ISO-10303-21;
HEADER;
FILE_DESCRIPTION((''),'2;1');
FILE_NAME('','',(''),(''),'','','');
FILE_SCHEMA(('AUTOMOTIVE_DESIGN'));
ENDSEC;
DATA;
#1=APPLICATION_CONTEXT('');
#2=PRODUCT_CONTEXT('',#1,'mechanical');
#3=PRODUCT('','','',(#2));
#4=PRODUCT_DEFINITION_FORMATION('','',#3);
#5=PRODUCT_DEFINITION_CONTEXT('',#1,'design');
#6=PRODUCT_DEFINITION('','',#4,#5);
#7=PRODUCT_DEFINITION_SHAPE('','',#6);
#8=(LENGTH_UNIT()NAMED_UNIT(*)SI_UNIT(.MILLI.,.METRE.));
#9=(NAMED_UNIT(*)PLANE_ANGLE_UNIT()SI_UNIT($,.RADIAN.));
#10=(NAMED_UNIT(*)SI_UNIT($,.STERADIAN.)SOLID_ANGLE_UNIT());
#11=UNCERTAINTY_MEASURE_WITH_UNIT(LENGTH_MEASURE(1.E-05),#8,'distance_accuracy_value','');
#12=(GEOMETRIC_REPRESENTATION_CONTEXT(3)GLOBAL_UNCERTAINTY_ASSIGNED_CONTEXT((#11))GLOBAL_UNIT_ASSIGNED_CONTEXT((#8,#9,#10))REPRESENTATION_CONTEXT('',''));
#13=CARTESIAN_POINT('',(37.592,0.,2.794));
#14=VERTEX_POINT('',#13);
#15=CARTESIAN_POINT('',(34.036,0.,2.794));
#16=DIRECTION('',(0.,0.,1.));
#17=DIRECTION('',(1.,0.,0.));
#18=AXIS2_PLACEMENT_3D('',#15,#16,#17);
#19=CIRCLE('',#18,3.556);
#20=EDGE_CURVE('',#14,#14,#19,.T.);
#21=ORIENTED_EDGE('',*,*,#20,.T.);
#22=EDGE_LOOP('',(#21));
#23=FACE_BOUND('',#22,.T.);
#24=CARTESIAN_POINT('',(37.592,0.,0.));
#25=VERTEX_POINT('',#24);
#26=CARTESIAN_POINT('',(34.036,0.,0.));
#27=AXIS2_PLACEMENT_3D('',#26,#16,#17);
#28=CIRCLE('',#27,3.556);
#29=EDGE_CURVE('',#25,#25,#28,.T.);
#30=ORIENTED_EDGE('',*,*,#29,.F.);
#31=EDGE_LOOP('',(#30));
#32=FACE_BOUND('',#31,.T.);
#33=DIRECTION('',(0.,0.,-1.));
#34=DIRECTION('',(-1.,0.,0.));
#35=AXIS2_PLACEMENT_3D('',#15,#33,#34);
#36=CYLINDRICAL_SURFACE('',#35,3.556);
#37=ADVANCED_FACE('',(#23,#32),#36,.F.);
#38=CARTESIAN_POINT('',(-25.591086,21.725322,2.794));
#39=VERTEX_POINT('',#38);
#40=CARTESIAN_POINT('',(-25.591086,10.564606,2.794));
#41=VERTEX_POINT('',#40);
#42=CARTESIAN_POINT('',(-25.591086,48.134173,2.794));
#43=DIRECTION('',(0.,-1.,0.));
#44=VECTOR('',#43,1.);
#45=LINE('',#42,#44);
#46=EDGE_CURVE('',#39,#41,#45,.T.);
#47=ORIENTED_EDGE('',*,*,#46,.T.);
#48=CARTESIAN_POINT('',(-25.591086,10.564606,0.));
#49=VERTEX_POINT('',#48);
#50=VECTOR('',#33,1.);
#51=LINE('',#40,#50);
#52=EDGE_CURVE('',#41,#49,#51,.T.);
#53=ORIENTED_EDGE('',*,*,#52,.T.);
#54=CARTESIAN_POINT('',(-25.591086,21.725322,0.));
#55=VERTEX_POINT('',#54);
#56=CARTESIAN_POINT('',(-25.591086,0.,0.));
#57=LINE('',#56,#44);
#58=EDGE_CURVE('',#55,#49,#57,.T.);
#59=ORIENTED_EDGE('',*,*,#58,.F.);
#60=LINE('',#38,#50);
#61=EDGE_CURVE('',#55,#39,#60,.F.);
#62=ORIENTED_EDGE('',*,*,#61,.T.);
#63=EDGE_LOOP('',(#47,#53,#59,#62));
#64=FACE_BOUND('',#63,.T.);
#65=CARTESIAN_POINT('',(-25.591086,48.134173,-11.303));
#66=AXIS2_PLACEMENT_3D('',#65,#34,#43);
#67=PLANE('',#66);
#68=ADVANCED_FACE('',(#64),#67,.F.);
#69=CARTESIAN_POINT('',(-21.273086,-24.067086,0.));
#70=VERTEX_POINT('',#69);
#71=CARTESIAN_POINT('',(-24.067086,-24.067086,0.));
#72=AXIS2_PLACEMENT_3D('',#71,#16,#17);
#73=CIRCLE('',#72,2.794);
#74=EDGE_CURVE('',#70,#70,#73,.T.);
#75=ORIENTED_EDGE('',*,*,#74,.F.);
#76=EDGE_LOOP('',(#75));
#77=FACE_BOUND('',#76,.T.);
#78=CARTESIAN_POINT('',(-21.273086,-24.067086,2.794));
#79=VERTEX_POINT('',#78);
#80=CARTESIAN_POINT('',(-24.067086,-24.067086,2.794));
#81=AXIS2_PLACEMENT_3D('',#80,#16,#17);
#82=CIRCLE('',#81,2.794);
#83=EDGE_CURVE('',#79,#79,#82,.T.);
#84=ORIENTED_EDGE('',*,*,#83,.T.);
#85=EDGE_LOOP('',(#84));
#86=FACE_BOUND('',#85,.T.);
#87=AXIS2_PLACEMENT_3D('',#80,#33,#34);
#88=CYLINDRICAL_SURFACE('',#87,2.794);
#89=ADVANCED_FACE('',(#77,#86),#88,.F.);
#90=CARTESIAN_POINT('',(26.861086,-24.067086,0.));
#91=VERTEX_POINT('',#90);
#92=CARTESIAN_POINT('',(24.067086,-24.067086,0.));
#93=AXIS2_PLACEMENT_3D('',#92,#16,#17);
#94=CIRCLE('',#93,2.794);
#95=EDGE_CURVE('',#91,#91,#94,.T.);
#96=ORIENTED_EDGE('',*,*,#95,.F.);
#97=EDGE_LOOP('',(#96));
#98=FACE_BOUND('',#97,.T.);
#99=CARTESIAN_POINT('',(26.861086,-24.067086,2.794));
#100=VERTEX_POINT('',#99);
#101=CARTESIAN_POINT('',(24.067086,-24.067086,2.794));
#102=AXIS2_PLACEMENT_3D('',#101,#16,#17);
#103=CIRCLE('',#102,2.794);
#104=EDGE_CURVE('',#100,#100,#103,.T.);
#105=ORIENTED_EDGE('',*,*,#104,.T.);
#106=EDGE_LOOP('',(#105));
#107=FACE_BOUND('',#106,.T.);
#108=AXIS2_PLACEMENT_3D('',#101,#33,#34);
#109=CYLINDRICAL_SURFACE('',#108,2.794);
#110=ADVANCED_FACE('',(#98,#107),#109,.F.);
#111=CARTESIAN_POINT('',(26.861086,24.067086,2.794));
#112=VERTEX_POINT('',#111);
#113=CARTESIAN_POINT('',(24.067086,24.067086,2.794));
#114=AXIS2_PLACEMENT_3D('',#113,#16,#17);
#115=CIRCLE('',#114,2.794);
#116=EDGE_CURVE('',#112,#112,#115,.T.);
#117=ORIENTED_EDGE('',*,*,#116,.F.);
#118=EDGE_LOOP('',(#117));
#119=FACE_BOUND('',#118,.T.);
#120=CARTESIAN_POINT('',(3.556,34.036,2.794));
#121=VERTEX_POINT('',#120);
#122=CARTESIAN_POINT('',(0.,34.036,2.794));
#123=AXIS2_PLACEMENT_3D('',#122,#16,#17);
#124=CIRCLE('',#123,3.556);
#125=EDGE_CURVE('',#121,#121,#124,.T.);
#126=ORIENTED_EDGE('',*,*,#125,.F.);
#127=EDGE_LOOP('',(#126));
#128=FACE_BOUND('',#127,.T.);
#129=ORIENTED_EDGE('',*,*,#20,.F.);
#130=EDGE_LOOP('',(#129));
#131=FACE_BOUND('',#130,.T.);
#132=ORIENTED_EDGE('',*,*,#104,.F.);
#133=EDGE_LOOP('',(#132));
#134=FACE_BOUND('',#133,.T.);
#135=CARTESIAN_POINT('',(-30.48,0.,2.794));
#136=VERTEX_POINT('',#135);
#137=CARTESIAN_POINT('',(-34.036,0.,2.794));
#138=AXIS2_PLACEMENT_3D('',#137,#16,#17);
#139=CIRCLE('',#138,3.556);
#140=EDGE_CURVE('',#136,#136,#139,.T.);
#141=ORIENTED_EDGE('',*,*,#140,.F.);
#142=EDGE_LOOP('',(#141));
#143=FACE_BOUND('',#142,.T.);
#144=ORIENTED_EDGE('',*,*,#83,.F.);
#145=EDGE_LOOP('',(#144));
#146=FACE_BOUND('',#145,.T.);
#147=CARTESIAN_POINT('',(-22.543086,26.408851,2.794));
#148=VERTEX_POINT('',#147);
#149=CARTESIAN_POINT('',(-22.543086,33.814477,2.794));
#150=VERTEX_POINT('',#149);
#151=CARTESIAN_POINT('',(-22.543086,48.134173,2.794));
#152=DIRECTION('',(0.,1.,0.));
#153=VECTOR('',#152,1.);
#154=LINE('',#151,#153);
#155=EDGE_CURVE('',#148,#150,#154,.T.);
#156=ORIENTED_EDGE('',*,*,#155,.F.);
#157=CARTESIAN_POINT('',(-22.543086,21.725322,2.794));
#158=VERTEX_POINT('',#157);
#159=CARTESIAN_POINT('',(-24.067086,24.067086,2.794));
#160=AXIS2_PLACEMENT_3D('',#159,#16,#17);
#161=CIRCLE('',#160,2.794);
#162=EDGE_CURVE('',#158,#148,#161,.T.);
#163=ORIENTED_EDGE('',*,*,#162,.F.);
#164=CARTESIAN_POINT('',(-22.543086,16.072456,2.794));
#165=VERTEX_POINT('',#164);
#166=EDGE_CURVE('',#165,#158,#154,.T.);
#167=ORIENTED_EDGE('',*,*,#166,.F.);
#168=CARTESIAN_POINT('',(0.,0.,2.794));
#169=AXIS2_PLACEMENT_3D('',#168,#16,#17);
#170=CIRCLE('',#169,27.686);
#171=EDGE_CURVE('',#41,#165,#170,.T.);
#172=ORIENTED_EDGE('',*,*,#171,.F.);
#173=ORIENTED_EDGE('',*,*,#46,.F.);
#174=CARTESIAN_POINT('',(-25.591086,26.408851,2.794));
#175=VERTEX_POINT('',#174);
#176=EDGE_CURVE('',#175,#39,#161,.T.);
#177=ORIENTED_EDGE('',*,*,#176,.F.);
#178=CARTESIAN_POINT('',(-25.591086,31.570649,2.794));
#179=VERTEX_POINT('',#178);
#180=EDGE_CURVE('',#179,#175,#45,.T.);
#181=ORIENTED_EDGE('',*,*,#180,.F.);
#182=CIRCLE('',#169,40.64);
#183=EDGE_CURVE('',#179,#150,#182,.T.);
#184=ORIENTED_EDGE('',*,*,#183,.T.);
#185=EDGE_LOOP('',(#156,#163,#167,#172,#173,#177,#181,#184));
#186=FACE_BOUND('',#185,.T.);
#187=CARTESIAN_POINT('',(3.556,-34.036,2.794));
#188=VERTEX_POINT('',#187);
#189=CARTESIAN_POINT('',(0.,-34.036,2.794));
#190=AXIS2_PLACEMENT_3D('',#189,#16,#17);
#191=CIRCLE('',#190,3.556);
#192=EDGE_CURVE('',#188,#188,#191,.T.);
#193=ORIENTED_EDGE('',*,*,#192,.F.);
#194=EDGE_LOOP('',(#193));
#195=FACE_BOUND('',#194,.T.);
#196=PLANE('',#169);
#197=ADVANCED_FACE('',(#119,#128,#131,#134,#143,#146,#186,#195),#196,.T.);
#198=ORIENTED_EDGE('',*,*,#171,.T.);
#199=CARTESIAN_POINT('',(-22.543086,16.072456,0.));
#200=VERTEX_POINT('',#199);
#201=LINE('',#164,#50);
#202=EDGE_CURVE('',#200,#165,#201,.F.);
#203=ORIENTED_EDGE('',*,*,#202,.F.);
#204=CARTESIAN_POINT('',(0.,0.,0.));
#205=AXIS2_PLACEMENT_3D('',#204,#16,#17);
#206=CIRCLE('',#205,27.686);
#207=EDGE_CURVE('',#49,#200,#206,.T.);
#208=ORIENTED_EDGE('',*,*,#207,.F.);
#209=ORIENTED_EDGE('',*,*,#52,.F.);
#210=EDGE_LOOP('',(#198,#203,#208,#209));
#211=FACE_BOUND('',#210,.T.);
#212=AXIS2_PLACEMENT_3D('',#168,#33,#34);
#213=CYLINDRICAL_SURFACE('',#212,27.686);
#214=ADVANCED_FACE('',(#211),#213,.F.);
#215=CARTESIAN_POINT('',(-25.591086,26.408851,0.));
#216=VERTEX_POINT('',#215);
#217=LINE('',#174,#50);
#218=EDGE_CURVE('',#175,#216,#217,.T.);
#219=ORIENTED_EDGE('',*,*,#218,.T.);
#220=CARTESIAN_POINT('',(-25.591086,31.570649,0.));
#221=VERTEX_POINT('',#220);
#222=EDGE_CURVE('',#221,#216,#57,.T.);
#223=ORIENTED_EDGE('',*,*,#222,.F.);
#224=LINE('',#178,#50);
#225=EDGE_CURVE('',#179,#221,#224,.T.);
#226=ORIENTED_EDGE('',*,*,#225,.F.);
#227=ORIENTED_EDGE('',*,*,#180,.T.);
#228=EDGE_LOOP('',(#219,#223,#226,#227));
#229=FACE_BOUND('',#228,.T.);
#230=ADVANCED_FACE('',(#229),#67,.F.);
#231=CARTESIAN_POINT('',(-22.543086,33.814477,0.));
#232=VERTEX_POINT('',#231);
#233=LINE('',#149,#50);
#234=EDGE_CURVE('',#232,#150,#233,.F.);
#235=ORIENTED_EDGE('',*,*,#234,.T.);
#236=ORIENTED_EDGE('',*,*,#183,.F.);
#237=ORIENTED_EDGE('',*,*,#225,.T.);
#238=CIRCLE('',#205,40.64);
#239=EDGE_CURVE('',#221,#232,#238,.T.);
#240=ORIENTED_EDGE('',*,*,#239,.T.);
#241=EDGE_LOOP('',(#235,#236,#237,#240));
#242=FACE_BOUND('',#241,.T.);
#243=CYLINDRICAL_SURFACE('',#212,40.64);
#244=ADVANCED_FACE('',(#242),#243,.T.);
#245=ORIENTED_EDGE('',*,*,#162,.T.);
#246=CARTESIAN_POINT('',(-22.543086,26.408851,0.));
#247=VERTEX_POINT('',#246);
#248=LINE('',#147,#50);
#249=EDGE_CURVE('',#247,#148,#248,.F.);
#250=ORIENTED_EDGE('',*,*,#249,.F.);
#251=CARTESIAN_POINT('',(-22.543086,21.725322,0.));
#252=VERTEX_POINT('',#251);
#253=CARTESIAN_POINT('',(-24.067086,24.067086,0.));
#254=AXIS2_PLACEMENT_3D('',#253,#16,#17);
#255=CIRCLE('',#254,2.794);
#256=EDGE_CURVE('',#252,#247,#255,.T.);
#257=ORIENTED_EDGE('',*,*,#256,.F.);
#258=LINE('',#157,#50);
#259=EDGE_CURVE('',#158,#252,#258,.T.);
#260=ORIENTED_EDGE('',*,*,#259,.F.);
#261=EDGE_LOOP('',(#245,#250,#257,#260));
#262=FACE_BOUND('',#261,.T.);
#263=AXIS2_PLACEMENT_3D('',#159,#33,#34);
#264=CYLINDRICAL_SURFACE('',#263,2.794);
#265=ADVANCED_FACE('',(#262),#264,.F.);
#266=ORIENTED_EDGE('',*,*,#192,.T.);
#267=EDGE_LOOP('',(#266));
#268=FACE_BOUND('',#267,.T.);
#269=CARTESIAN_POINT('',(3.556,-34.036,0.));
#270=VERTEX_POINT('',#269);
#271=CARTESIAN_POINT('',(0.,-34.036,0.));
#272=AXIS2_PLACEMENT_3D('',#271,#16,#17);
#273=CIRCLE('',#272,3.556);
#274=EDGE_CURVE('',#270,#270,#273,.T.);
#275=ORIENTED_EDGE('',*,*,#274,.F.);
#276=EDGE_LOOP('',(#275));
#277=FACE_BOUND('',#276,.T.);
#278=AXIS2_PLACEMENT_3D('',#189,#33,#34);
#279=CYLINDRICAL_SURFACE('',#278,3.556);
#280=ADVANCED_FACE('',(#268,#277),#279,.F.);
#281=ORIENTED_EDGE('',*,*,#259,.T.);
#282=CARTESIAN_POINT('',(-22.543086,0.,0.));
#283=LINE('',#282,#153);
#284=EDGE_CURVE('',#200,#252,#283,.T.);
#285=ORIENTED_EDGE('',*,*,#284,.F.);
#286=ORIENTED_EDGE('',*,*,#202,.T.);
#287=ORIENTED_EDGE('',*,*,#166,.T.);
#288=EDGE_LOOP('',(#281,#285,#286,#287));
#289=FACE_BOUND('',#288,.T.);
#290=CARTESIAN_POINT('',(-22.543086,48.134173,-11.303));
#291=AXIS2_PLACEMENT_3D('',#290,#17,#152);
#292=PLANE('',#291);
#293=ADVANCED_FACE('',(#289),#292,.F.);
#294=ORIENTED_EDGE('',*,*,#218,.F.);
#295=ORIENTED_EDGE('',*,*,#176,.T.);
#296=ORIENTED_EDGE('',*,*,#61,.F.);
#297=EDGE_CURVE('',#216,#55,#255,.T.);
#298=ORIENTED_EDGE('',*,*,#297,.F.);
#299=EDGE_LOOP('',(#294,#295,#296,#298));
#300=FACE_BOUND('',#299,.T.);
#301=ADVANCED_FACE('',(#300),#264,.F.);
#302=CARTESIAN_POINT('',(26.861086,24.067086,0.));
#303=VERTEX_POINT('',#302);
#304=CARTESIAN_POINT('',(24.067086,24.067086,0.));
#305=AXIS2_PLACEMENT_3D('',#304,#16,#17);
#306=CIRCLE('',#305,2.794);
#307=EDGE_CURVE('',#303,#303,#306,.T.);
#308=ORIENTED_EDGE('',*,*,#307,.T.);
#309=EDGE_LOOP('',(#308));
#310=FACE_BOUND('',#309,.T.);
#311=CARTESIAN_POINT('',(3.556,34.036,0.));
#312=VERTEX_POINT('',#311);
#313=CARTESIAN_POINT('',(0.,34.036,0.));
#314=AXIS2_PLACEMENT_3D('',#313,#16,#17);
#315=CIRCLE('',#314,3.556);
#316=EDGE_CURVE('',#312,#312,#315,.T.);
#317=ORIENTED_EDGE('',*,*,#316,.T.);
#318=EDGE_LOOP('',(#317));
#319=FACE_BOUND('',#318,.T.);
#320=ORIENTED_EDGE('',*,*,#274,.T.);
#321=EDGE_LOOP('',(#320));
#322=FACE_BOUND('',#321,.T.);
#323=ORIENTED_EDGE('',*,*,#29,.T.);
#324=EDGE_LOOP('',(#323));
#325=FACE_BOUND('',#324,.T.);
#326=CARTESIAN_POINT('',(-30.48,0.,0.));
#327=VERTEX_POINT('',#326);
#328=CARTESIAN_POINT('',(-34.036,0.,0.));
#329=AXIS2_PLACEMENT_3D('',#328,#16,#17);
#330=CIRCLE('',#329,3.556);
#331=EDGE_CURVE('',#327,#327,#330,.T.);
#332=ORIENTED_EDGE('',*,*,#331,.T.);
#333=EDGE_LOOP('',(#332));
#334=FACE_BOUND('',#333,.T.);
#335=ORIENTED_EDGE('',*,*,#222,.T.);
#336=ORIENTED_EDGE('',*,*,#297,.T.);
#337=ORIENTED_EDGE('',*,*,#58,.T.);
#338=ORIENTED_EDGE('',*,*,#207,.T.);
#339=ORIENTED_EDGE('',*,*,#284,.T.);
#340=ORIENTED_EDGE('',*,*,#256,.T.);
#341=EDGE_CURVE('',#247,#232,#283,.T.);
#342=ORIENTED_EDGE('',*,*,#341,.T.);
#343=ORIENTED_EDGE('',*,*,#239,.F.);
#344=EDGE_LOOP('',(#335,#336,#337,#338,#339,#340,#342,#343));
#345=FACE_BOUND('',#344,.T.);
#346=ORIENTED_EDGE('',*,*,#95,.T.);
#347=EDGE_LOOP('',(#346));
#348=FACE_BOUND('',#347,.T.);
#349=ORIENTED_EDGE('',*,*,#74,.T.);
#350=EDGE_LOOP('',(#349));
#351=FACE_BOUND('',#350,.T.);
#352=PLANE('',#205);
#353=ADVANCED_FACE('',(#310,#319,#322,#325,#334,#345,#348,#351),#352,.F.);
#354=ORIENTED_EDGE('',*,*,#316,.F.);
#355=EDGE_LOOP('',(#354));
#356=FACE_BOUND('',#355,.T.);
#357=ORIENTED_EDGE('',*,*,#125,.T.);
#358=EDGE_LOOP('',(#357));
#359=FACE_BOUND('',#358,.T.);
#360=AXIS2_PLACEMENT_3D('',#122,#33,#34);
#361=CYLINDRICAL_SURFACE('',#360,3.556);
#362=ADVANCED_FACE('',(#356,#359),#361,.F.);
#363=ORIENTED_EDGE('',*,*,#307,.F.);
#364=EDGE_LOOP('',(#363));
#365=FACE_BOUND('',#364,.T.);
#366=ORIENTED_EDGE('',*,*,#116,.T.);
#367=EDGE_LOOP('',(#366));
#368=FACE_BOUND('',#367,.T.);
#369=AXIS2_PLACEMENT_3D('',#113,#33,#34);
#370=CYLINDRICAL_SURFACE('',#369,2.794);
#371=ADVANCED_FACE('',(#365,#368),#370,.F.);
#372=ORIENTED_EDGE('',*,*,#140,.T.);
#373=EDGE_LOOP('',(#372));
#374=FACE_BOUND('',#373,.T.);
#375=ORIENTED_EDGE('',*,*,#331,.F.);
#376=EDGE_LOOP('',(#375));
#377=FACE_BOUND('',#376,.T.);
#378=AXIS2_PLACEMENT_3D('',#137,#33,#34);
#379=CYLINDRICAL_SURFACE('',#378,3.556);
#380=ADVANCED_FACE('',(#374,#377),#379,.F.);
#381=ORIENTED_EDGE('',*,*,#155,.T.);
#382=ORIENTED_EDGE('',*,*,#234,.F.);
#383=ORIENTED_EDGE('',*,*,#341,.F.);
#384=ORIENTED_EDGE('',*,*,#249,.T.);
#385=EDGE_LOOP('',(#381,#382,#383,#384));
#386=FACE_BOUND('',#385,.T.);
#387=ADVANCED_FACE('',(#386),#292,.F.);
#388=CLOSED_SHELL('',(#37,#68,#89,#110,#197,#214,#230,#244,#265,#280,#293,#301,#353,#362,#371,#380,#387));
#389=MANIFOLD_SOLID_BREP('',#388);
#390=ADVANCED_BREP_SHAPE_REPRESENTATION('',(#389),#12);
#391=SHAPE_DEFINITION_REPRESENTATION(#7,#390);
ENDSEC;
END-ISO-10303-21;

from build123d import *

# Parameters (mm, degrees)
SKETCH1_R           = 40.64
SKETCH1_R_2         = 27.686
SKETCH1_R_3         = 3.556
SKETCH1_R_4         = 2.794
BOSS_EXTRUDE1_DEPTH = 2.794
SKETCH2_W           = 3.048
SKETCH2_H           = 48.134172809
CUT_EXTRUDE1_DEPTH  = 14.097


with BuildPart() as part:
    # Sketch1 → Boss-Extrude1 (new body)
    with BuildSketch(Plane.XY):
        Circle(SKETCH1_R)
        Circle(SKETCH1_R_2, mode=Mode.SUBTRACT)
        with Locations((0, 34.036)):
            Circle(SKETCH1_R_3, mode=Mode.SUBTRACT)
        with Locations((34.036, 0)):
            Circle(SKETCH1_R_3, mode=Mode.SUBTRACT)
        with Locations((0, -34.036)):
            Circle(SKETCH1_R_3, mode=Mode.SUBTRACT)
        with Locations((-34.036, 0)):
            Circle(SKETCH1_R_3, mode=Mode.SUBTRACT)
        with Locations((24.067086404, 24.067086404)):
            Circle(SKETCH1_R_4, mode=Mode.SUBTRACT)
        with Locations((24.067086404, -24.067086404)):
            Circle(SKETCH1_R_4, mode=Mode.SUBTRACT)
        with Locations((-24.067086404, -24.067086404)):
            Circle(SKETCH1_R_4, mode=Mode.SUBTRACT)
        with Locations((-24.067086404, 24.067086404)):
            Circle(SKETCH1_R_4, mode=Mode.SUBTRACT)
    extrude(amount=BOSS_EXTRUDE1_DEPTH)

    # Sketch2 → Cut-Extrude1 (cut)
    with BuildSketch(Plane.XY.offset(2.794)):
        with Locations((-24.067086404, 24.067086405)):
            Rectangle(SKETCH2_W, SKETCH2_H)
    extrude(amount=-CUT_EXTRUDE1_DEPTH, mode=Mode.SUBTRACT)


solid = part.part
